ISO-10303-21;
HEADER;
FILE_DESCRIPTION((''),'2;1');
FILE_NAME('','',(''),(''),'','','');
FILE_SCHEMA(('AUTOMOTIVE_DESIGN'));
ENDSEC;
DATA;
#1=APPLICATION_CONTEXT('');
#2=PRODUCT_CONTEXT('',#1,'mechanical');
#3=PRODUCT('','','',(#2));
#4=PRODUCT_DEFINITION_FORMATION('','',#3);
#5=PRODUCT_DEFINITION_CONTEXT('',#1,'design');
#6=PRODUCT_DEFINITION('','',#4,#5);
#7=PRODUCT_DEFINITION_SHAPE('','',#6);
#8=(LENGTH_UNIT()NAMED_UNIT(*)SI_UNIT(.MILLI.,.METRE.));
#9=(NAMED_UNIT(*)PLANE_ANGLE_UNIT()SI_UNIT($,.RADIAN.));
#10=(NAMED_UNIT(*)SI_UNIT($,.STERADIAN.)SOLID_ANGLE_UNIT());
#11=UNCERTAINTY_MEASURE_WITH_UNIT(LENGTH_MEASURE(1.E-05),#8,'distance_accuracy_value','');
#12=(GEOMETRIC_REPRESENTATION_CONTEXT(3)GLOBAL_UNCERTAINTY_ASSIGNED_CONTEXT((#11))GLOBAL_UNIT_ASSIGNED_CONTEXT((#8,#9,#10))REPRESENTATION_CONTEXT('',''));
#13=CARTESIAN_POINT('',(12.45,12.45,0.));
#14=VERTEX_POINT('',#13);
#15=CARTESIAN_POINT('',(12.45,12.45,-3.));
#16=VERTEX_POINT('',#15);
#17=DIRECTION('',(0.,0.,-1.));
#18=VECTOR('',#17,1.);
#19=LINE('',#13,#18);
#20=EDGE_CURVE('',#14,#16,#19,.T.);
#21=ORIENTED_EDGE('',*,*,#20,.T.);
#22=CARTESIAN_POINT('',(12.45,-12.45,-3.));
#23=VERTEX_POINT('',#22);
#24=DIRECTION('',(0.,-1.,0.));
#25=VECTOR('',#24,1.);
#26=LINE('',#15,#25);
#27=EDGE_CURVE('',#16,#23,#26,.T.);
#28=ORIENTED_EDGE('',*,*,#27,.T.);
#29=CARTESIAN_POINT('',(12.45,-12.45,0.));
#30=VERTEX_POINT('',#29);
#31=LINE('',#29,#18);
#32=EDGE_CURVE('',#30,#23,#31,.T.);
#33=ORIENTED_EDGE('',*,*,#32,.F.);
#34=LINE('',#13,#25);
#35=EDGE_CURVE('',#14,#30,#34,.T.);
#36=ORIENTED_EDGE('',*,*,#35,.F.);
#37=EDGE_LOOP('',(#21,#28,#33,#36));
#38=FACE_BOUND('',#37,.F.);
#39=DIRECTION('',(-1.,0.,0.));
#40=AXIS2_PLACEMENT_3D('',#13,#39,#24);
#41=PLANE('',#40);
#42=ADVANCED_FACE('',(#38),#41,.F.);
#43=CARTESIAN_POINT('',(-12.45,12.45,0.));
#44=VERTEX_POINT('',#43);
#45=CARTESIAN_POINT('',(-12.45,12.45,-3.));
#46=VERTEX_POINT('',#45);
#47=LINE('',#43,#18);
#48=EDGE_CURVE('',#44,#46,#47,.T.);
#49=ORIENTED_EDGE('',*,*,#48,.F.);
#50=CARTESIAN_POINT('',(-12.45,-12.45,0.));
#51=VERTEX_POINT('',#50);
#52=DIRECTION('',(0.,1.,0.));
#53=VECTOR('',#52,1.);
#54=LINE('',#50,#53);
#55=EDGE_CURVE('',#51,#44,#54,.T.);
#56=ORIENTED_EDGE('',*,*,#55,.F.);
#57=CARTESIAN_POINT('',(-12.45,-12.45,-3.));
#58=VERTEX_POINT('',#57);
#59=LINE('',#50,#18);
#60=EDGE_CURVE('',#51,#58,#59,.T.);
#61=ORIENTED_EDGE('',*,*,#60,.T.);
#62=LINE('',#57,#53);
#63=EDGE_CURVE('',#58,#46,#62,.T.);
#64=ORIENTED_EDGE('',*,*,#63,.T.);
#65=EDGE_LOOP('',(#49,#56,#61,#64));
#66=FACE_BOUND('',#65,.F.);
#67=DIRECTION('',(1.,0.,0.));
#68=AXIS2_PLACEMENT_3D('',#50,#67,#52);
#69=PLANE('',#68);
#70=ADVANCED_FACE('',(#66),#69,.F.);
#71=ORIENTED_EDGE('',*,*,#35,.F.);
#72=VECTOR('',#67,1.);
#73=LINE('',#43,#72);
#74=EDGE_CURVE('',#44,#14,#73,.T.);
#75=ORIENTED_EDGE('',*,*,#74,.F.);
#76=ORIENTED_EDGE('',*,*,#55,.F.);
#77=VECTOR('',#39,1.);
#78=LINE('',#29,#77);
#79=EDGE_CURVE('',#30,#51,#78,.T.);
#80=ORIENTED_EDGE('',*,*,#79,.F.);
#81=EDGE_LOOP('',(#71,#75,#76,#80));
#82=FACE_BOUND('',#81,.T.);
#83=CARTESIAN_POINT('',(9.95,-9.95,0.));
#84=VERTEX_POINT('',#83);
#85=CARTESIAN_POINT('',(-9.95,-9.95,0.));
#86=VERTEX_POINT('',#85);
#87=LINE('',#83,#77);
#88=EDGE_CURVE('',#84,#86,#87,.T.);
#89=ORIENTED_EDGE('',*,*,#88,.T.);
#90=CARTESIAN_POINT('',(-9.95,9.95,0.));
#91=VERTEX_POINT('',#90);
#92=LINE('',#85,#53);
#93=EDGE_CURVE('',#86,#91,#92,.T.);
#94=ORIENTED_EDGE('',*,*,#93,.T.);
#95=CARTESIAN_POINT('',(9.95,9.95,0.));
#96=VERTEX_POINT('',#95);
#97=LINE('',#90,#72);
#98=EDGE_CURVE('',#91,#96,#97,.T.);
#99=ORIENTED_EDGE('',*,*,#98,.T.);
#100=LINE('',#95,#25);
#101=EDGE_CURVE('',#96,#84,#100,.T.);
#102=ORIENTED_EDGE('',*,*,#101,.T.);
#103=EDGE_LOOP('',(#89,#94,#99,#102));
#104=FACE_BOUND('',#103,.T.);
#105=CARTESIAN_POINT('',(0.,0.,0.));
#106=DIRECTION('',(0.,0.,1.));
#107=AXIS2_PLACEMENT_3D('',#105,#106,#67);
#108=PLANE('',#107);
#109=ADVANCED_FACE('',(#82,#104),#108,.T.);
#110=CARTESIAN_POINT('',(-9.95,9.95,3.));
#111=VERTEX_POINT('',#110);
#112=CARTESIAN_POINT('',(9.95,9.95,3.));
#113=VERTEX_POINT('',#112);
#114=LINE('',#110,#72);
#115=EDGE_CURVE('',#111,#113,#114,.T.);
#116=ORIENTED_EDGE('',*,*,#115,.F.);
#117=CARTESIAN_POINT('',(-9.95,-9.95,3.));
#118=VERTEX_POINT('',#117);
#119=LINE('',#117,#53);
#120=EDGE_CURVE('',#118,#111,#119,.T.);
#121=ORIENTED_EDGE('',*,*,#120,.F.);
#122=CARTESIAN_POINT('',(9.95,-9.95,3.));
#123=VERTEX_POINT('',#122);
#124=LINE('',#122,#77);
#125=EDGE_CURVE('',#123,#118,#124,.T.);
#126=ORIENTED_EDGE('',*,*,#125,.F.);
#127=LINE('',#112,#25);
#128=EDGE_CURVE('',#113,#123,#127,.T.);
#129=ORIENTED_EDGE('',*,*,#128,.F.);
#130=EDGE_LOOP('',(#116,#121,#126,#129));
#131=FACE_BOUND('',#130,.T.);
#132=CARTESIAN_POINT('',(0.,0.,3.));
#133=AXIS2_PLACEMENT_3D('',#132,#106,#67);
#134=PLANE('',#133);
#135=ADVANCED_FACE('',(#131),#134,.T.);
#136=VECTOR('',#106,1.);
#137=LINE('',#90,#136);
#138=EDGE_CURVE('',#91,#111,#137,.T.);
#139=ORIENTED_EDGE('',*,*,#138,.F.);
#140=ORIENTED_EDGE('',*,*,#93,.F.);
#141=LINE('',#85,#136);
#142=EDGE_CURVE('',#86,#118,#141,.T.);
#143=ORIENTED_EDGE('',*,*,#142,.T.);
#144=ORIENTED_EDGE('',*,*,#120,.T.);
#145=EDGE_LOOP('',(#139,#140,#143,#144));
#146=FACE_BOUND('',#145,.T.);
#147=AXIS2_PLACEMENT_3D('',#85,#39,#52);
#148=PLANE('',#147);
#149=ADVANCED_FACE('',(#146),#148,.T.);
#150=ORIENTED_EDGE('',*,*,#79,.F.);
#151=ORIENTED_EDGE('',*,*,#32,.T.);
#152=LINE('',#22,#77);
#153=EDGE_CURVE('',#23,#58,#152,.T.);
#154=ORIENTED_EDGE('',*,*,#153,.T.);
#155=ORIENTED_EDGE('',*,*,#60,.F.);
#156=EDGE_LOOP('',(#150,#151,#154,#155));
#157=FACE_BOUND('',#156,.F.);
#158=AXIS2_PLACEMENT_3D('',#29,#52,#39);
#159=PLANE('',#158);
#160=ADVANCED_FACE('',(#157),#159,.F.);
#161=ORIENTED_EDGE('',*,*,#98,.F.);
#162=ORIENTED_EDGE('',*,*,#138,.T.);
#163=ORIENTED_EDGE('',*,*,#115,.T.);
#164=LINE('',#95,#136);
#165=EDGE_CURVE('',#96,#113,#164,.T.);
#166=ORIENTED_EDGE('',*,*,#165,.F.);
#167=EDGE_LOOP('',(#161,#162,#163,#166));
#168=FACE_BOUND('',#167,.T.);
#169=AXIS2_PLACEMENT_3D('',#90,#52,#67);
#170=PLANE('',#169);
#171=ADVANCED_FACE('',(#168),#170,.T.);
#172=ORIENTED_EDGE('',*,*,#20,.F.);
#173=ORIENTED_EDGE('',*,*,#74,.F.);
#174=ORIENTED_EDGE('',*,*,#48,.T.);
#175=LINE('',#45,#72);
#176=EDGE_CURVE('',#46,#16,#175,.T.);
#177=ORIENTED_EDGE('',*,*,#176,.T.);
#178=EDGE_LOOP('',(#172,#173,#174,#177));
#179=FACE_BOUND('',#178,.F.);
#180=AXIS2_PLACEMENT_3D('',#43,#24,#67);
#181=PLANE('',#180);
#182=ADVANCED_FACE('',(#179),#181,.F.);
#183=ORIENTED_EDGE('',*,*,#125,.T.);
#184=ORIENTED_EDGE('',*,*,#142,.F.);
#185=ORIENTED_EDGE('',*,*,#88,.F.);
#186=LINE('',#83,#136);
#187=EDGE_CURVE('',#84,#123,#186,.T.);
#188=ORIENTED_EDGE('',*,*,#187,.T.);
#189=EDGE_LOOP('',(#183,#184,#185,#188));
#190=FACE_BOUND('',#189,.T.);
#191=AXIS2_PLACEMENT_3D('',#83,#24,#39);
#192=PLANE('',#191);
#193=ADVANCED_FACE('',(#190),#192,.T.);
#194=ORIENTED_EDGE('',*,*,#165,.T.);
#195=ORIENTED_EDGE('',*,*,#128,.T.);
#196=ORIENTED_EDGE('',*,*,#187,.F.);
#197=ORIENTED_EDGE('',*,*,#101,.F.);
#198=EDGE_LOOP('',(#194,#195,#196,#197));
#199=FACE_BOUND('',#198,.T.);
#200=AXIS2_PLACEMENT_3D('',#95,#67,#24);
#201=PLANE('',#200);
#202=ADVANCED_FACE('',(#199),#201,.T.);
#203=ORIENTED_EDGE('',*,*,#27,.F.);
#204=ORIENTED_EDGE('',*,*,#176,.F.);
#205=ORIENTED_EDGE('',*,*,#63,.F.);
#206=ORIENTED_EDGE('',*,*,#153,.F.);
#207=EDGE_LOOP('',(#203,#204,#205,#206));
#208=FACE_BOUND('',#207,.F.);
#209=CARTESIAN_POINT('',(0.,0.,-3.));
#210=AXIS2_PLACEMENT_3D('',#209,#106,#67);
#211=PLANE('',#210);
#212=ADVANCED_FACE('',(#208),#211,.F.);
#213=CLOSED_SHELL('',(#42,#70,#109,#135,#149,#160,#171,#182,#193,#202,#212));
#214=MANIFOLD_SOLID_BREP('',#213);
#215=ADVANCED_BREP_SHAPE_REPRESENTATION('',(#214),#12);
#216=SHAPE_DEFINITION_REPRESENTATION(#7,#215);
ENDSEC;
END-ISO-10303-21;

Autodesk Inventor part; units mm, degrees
ref_plane "YZ Plane" through (0, 0, 0) normal (1, 0, 0) x (0, 1, 0)
ref_plane "XZ Plane" through (0, 0, 0) normal (0, 1, 0) x (-1, 0, 0)
ref_plane "XY Plane" through (0, 0, 0) normal (0, 0, 1) x (1, 0, 0)
sketch "Sketch1" plane through (0, 0, 0) normal (0, 0, 1) x (1, 0, 0)
  line L0 (9.95, -9.95) -> (-9.95, -9.95)
  line L1 (-9.95, -9.95) -> (-9.95, 9.95)
  line L2 (-9.95, 9.95) -> (9.95, 9.95)
  line L3 (9.95, 9.95) -> (9.95, -9.95)
  line L4 (12.45, -12.45) -> (-12.45, -12.45)
  line L5 (-12.45, -12.45) -> (-12.45, 12.45)
  line L6 (-12.45, 12.45) -> (12.45, 12.45)
  line L7 (12.45, 12.45) -> (12.45, -12.45)
  dimension "d2" = 19.9
  dimension "d3" = 19.9
  dimension "d5" = 24.9
  dimension "d6" = 24.9
extrude "Extrusion1" add sketch "Sketch1" along normal blind 3 contours L0 L1 L2 L3
extrude "Extrusion2" add sketch "Sketch1" against normal blind 3 contours L0 L1 L2 L3 | L4 L5 L6 L7
properties part number "Large-cuvette-cap-25mm"
